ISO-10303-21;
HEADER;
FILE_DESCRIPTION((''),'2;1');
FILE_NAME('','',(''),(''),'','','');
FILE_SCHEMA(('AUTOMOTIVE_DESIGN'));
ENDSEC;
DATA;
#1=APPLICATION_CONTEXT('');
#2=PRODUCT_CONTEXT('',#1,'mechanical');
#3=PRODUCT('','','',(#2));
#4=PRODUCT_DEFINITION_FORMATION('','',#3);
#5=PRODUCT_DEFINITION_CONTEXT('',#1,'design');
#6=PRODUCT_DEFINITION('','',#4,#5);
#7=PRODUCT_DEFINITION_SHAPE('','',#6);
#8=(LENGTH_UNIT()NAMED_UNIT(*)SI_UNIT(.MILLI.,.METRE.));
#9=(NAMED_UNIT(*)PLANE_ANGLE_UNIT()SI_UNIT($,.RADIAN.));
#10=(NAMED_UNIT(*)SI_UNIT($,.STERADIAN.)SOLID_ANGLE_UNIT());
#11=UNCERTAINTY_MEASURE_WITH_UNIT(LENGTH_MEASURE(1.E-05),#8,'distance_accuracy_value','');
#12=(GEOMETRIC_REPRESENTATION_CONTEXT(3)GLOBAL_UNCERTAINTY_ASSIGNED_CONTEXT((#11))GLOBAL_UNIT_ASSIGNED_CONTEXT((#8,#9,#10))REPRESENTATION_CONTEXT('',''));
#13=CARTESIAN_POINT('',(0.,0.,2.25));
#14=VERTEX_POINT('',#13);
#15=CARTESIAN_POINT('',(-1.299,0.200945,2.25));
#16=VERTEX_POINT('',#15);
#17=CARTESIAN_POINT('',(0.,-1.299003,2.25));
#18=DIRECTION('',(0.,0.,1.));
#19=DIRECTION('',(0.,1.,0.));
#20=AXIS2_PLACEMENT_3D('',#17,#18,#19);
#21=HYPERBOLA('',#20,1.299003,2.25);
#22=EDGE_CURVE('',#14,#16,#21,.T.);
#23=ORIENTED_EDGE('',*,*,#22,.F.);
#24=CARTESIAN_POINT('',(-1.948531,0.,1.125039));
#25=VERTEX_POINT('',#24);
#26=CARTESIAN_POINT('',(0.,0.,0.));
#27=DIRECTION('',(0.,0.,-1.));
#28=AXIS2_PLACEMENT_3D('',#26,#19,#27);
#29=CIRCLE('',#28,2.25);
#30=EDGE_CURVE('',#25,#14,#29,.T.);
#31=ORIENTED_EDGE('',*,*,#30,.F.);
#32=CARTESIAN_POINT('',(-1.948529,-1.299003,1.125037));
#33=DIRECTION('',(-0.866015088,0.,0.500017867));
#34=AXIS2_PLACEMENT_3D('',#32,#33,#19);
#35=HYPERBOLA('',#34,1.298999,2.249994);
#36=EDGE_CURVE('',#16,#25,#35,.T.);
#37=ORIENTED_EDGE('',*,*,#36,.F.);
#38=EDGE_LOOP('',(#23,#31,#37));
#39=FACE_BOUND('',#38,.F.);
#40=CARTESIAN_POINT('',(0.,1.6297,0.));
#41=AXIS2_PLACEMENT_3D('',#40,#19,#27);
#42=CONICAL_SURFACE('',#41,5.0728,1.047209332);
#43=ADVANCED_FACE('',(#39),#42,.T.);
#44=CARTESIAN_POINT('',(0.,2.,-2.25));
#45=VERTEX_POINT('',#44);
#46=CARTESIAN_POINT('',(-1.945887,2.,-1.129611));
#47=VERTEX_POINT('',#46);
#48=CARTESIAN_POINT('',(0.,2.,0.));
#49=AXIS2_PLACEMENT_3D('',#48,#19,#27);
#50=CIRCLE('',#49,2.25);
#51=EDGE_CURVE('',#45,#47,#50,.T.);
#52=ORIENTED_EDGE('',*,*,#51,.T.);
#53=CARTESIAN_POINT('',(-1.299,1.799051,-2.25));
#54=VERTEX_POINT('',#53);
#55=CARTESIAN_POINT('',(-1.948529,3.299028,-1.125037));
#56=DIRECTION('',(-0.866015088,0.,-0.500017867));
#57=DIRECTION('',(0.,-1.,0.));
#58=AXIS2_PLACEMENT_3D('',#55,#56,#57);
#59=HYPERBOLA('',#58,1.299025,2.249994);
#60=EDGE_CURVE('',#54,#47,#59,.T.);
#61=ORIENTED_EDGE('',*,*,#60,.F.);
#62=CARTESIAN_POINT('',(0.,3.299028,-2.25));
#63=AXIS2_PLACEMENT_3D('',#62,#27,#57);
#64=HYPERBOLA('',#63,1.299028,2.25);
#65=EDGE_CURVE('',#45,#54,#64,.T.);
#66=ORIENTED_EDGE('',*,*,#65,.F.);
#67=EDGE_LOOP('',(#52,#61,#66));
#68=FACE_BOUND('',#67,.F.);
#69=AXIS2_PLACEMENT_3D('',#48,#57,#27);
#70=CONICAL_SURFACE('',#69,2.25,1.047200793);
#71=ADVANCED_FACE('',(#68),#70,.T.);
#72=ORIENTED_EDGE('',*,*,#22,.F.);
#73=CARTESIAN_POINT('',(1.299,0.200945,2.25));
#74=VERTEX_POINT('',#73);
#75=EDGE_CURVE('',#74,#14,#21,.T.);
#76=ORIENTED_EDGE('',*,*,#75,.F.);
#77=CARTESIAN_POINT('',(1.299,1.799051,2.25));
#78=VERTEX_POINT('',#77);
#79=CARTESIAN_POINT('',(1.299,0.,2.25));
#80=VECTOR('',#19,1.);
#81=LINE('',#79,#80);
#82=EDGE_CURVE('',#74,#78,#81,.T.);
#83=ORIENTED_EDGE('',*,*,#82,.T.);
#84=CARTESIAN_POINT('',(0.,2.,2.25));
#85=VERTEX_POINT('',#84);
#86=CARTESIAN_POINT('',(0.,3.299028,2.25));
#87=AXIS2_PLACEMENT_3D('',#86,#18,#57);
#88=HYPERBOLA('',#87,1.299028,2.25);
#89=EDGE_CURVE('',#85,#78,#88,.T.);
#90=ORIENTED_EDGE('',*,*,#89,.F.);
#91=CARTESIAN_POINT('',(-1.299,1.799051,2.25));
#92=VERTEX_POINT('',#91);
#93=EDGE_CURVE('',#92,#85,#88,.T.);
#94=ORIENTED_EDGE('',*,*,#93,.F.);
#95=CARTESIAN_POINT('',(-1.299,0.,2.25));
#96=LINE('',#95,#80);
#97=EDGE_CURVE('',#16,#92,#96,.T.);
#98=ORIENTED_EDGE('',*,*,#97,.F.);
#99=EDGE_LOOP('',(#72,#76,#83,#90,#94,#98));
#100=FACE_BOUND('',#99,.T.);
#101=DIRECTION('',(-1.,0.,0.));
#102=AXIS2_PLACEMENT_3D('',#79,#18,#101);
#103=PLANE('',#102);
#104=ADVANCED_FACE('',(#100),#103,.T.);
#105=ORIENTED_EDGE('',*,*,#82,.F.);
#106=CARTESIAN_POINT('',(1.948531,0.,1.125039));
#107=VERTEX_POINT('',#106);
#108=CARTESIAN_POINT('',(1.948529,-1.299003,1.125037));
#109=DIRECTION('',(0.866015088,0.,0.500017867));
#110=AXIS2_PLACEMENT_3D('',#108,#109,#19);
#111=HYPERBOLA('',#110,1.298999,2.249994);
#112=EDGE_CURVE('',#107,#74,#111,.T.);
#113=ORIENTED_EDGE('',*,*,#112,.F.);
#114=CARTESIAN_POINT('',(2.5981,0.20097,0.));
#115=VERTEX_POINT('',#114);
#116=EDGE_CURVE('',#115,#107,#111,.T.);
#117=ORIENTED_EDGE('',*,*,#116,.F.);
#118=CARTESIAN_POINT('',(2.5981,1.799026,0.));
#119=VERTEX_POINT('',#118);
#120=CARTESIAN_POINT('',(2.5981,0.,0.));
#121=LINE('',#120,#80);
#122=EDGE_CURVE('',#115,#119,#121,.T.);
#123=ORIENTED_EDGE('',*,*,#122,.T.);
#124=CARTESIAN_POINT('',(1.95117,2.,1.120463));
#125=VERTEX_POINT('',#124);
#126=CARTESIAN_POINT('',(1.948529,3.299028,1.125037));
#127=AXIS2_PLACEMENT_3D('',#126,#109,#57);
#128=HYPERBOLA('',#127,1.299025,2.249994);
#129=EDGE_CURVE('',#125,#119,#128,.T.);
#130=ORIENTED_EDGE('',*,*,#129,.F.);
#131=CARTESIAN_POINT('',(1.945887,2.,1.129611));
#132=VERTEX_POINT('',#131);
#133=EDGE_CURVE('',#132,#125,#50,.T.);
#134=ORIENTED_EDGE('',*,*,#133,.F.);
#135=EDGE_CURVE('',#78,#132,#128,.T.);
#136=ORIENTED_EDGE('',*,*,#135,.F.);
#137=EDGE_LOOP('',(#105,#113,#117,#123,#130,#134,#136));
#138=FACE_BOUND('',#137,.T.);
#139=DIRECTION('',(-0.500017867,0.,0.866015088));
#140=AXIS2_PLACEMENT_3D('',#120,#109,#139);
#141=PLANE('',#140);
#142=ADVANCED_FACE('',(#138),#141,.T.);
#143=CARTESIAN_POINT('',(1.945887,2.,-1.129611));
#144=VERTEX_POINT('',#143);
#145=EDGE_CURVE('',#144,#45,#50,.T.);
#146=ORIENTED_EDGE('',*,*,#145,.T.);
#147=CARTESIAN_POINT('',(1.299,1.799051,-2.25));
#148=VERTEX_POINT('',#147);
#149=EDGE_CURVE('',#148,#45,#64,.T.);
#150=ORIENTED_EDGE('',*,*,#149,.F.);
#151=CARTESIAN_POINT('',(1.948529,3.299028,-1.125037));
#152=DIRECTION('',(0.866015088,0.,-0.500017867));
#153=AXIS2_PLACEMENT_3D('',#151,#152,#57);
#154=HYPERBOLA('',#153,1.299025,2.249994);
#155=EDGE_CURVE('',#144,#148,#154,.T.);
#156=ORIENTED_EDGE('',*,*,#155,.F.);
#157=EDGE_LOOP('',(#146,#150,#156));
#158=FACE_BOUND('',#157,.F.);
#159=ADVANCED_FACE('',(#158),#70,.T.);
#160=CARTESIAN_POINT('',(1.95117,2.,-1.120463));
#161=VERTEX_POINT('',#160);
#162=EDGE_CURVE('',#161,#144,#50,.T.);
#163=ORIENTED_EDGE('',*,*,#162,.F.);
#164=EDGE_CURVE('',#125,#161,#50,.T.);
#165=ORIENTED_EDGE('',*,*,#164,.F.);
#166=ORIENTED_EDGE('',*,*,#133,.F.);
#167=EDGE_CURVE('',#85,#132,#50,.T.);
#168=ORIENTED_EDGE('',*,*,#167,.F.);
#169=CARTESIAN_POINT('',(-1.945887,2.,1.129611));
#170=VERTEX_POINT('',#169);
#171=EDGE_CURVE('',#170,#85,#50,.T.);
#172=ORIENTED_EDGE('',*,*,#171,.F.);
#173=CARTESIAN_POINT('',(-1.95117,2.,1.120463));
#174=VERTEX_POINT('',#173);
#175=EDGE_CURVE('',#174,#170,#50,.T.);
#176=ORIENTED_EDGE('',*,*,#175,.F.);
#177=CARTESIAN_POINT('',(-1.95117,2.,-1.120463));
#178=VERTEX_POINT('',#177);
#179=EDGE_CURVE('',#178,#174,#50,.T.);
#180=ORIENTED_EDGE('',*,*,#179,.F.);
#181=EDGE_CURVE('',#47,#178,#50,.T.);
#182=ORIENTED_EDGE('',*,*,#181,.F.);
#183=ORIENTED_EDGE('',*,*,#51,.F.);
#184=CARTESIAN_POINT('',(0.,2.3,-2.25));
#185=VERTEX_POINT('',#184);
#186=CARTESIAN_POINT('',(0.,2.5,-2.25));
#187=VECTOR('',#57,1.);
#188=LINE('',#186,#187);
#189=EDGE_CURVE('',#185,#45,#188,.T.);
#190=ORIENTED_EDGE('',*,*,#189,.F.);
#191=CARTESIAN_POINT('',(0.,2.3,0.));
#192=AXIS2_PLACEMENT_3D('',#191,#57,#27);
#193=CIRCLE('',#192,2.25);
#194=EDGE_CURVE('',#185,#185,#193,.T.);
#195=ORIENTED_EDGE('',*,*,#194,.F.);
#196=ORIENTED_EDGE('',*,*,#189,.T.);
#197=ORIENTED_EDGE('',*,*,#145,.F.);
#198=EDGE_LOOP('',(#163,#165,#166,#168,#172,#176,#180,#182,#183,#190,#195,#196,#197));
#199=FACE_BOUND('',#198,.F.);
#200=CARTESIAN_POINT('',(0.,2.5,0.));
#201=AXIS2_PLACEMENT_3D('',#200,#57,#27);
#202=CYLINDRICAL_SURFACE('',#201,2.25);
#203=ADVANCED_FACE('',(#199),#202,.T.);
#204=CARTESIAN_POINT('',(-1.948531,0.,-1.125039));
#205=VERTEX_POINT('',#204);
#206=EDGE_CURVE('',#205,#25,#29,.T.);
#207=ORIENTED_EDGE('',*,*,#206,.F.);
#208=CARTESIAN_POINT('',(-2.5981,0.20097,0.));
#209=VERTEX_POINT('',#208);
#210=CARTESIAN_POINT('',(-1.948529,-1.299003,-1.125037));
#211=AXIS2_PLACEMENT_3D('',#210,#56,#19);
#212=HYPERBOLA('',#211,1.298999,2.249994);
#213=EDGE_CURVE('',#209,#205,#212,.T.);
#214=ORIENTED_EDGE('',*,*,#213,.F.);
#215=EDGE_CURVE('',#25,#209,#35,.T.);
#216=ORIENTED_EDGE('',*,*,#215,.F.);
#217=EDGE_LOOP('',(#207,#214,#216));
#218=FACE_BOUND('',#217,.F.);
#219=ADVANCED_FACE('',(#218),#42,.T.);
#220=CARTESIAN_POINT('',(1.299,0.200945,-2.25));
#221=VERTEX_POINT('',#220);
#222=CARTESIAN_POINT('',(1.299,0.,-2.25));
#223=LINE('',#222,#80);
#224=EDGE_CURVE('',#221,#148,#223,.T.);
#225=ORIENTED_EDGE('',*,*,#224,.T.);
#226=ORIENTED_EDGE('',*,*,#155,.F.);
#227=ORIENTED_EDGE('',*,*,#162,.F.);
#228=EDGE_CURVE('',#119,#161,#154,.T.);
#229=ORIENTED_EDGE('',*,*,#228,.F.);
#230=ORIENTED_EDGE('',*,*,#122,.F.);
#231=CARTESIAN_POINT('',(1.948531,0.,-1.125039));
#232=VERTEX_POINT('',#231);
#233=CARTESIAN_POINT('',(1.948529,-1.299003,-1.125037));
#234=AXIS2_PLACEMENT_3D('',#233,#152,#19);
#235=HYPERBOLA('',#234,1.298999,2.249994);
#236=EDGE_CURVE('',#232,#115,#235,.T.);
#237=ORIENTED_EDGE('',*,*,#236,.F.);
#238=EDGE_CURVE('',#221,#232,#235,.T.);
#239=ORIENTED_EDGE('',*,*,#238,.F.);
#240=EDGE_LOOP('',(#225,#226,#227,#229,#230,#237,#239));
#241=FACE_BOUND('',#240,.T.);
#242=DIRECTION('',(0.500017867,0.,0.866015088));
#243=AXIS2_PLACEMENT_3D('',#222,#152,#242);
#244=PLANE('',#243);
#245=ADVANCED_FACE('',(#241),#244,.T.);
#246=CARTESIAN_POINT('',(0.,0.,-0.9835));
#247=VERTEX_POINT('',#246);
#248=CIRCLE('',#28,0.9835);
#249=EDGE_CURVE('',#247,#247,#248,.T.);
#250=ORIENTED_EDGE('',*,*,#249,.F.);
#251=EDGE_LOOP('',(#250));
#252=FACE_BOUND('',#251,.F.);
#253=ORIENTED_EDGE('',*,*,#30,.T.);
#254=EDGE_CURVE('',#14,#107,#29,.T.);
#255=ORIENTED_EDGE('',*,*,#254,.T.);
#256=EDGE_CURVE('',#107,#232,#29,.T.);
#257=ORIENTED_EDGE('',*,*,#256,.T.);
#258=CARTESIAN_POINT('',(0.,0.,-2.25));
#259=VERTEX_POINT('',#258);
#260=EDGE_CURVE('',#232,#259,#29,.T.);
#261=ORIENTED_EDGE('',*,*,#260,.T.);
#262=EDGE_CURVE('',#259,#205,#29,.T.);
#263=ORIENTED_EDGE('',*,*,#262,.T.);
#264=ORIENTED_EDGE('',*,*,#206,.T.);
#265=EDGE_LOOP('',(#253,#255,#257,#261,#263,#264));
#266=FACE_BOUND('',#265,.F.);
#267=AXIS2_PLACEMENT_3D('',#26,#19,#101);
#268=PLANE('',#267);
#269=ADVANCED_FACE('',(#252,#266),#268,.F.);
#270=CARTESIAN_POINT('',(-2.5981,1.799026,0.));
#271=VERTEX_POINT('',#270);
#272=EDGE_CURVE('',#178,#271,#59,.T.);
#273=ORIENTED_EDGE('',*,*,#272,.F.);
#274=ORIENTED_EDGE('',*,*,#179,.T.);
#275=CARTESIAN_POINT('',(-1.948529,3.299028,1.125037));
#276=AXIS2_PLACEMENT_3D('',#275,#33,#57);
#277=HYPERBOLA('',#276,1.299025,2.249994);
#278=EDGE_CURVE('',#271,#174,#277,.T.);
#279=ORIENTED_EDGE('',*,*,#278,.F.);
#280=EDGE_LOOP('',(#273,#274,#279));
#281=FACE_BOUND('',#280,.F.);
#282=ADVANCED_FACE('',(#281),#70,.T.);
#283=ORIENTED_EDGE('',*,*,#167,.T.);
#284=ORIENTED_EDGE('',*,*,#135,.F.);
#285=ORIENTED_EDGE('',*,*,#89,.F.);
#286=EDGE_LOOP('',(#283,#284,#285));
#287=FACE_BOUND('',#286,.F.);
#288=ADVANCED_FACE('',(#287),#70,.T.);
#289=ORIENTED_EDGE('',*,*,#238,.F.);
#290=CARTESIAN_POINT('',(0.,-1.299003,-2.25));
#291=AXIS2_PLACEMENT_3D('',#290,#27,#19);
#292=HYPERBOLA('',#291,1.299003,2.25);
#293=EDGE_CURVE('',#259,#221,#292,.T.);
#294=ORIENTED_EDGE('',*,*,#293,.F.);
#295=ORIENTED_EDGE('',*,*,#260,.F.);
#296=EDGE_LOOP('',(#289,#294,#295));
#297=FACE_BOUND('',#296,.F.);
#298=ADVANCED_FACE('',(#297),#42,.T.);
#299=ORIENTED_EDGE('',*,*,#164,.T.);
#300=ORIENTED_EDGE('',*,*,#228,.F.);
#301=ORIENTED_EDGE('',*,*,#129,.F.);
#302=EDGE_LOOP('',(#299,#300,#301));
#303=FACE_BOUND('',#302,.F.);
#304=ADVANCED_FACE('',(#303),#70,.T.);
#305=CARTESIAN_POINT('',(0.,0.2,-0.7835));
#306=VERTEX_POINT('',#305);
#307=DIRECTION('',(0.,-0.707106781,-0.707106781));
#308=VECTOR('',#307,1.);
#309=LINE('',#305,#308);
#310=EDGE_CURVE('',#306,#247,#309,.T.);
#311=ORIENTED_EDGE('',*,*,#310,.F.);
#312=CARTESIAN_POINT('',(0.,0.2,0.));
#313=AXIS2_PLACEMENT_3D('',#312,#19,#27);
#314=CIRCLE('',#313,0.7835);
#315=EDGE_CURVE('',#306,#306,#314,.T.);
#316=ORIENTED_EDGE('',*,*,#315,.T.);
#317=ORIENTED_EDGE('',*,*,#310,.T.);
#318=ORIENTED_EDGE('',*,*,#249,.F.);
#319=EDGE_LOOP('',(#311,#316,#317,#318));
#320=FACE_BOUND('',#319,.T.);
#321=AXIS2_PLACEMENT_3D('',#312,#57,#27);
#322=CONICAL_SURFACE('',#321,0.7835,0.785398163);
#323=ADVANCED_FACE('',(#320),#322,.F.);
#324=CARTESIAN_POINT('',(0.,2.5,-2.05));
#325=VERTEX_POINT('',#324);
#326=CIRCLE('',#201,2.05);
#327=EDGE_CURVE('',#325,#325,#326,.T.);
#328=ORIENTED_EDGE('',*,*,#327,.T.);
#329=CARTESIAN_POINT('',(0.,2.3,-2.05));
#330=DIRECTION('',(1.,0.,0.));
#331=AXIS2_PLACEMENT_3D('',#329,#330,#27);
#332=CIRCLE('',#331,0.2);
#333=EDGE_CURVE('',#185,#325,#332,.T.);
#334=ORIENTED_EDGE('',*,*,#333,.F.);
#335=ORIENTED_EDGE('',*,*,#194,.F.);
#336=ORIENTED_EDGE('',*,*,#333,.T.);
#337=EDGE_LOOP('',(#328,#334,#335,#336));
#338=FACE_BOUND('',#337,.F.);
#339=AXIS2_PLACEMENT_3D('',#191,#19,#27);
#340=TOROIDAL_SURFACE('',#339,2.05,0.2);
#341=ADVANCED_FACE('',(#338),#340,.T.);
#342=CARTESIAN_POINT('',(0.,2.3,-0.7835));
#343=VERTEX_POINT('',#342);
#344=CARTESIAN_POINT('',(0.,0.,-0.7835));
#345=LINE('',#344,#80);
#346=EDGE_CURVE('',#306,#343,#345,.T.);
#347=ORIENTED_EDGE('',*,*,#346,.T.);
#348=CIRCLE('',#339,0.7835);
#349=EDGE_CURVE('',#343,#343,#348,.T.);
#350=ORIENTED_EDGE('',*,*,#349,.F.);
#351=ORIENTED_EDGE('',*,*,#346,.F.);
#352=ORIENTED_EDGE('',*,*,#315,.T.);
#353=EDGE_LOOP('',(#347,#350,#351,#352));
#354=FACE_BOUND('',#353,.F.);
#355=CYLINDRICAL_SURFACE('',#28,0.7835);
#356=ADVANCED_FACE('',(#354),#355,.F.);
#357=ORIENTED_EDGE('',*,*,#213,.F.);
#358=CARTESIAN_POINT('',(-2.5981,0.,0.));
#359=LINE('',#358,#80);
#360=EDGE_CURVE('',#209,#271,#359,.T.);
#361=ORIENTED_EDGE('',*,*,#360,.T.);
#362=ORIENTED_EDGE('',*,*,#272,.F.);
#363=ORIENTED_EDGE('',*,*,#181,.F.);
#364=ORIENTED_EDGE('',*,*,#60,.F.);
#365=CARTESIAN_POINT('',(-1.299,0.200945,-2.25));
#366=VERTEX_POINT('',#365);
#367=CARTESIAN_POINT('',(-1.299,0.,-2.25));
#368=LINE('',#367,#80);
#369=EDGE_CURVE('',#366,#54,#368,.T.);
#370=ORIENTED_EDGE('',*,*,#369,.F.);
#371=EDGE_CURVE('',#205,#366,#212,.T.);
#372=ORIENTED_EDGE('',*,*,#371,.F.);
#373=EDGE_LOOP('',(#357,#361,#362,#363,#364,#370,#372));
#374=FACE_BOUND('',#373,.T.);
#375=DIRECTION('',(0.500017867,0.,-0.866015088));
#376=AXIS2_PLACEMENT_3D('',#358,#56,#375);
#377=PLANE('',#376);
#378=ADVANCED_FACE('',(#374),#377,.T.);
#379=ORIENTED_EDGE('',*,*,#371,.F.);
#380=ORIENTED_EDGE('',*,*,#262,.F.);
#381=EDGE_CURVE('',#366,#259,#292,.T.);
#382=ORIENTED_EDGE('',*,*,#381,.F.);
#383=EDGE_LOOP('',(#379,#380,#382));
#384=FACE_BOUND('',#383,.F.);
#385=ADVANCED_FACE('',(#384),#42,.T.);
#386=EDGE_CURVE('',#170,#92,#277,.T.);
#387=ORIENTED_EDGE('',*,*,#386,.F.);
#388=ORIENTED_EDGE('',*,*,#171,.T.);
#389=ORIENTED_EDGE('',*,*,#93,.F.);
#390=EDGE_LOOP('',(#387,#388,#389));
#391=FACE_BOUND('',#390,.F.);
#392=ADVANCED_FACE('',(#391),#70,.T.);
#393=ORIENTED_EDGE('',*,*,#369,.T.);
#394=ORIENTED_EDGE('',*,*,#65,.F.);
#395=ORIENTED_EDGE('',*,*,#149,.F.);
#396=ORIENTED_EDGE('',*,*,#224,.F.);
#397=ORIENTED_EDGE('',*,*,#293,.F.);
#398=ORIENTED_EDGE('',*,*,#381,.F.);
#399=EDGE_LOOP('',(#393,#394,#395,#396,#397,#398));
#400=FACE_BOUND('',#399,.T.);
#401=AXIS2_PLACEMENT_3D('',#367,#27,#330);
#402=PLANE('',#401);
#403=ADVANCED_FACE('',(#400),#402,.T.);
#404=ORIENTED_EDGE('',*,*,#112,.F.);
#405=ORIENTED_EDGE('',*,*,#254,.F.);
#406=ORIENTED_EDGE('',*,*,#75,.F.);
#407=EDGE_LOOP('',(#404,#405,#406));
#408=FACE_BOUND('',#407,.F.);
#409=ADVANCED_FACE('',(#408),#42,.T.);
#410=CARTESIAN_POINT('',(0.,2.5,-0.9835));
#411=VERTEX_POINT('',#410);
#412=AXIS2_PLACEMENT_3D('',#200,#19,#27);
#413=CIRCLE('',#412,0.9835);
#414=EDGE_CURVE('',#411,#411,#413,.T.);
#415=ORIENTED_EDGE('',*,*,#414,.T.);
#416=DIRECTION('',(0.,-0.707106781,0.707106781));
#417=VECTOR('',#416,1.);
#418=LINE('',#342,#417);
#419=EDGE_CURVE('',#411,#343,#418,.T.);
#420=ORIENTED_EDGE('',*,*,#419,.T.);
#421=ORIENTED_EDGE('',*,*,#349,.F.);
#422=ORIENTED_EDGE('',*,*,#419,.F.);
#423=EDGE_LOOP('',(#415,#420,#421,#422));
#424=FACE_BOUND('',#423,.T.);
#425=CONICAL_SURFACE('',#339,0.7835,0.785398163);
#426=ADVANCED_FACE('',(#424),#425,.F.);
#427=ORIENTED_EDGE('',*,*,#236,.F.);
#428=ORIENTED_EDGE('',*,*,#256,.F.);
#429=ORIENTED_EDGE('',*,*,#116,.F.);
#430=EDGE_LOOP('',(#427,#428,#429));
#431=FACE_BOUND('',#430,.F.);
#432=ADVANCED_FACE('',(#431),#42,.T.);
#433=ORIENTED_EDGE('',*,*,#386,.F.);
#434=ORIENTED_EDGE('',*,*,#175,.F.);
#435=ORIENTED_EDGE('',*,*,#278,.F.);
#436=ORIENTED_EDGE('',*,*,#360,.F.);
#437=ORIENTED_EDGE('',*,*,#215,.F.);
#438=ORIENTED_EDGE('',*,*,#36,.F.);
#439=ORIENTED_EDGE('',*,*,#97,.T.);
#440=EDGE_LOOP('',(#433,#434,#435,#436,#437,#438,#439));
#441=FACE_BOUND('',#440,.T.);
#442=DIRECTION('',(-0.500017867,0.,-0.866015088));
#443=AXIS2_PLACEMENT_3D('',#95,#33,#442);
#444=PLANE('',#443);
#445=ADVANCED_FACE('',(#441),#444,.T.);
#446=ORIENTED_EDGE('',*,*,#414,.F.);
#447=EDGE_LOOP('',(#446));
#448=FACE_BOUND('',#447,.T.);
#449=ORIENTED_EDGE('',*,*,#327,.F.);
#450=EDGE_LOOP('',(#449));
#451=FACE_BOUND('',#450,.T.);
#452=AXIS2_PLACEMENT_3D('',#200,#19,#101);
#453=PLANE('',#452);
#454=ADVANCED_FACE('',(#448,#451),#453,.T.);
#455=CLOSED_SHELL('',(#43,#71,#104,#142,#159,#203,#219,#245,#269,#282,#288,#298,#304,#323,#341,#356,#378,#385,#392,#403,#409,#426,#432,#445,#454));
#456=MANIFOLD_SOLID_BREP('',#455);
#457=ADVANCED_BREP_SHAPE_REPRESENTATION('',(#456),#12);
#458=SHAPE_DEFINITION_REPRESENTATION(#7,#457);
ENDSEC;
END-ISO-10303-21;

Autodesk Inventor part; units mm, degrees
ref_plane "YZ Plane" through (0, 0, 0) normal (1, 0, 0) x (0, 1, 0)
ref_plane "XZ Plane" through (0, 0, 0) normal (0, 1, 0) x (-1, 0, 0)
ref_plane "XY Plane" through (0, 0, 0) normal (0, 0, 1) x (1, 0, 0)
sketch "Sketch1" plane through (0, 0, 0) normal (0, 1, 0) x (-1, 0, 0)
  line L0 (-2.5981, 0) -> (-1.299, 2.25)
  line L1 (-1.299, 2.25) -> (1.299, 2.25)
  line L2 (1.299, 2.25) -> (2.5981, 0)
  line L3 (2.5981, 0) -> (1.299, -2.25)
  line L4 (1.299, -2.25) -> (-1.299, -2.25)
  line L5 (-1.299, -2.25) -> (-2.5981, 0)
  point P0 (0, 0)
  point P1 (0, 0)
  dimension "d0" = 4.5
extrude "Extrusion1" add sketch "Sketch1" along normal blind 2.5
sketch "Sketch2" plane through (0, 0, 0) normal (1, 0, 0) x (0, 1, 0)
  line L0 (0, -2.25) -> (0, 0) construction
  line L1 (2.5, -2.25) -> (2.5, 0) construction
  line L2 (0, -2.25) -> (0, -5.0728)
  line L3 (0, -5.0728) -> (1.6297, -5.0728)
  line L4 (1.6297, -5.0728) -> (0, -2.25)
  line L5 (2.5, -2.25) -> (2, -2.25)
  line L6 (2, -2.25) -> (1.5484, -3.0322)
  line L7 (1.5484, -3.0322) -> (2.5, -3.0322)
  line L8 (2.5, -3.0322) -> (2.5, -2.25)
  line L9 (0, -2.25) -> (2.5, -2.25) construction
  line L10 (0, 0) -> (3.5883, 0) construction
  dimension "d4" = 30
  dimension "d5" = 2
  dimension "d6" = 30
  dimension "d7" = 4.5
revolve "Revolution1" cut sketch "Sketch2" angle 360 about axis through (0, 0, 0) along (0, 1, 0)
fillet "Fillet1" radius 0.2 1 edges at (0, 2.5, 2.25)
sketch "Sketch4" plane through (0, 0, 0) normal (0, -1, 0) x (1, 0, 0)
  point P0 (0, 0)
  point P1 (0, 0)
hole "Hole1" at (0, 0, 0) direction (0, 1, 0) diameter 1.567 end through all thread size "M2x0.4" class "6H" standard "ANSI Metric M Profile"
chamfer "Chamfer1" distance 0.2 angle 45 2 edges at (0, 2.5, 0.7835) (0, 0, 0.7835)
properties part number "10_028_NYLON_NUT_M2_R1"
